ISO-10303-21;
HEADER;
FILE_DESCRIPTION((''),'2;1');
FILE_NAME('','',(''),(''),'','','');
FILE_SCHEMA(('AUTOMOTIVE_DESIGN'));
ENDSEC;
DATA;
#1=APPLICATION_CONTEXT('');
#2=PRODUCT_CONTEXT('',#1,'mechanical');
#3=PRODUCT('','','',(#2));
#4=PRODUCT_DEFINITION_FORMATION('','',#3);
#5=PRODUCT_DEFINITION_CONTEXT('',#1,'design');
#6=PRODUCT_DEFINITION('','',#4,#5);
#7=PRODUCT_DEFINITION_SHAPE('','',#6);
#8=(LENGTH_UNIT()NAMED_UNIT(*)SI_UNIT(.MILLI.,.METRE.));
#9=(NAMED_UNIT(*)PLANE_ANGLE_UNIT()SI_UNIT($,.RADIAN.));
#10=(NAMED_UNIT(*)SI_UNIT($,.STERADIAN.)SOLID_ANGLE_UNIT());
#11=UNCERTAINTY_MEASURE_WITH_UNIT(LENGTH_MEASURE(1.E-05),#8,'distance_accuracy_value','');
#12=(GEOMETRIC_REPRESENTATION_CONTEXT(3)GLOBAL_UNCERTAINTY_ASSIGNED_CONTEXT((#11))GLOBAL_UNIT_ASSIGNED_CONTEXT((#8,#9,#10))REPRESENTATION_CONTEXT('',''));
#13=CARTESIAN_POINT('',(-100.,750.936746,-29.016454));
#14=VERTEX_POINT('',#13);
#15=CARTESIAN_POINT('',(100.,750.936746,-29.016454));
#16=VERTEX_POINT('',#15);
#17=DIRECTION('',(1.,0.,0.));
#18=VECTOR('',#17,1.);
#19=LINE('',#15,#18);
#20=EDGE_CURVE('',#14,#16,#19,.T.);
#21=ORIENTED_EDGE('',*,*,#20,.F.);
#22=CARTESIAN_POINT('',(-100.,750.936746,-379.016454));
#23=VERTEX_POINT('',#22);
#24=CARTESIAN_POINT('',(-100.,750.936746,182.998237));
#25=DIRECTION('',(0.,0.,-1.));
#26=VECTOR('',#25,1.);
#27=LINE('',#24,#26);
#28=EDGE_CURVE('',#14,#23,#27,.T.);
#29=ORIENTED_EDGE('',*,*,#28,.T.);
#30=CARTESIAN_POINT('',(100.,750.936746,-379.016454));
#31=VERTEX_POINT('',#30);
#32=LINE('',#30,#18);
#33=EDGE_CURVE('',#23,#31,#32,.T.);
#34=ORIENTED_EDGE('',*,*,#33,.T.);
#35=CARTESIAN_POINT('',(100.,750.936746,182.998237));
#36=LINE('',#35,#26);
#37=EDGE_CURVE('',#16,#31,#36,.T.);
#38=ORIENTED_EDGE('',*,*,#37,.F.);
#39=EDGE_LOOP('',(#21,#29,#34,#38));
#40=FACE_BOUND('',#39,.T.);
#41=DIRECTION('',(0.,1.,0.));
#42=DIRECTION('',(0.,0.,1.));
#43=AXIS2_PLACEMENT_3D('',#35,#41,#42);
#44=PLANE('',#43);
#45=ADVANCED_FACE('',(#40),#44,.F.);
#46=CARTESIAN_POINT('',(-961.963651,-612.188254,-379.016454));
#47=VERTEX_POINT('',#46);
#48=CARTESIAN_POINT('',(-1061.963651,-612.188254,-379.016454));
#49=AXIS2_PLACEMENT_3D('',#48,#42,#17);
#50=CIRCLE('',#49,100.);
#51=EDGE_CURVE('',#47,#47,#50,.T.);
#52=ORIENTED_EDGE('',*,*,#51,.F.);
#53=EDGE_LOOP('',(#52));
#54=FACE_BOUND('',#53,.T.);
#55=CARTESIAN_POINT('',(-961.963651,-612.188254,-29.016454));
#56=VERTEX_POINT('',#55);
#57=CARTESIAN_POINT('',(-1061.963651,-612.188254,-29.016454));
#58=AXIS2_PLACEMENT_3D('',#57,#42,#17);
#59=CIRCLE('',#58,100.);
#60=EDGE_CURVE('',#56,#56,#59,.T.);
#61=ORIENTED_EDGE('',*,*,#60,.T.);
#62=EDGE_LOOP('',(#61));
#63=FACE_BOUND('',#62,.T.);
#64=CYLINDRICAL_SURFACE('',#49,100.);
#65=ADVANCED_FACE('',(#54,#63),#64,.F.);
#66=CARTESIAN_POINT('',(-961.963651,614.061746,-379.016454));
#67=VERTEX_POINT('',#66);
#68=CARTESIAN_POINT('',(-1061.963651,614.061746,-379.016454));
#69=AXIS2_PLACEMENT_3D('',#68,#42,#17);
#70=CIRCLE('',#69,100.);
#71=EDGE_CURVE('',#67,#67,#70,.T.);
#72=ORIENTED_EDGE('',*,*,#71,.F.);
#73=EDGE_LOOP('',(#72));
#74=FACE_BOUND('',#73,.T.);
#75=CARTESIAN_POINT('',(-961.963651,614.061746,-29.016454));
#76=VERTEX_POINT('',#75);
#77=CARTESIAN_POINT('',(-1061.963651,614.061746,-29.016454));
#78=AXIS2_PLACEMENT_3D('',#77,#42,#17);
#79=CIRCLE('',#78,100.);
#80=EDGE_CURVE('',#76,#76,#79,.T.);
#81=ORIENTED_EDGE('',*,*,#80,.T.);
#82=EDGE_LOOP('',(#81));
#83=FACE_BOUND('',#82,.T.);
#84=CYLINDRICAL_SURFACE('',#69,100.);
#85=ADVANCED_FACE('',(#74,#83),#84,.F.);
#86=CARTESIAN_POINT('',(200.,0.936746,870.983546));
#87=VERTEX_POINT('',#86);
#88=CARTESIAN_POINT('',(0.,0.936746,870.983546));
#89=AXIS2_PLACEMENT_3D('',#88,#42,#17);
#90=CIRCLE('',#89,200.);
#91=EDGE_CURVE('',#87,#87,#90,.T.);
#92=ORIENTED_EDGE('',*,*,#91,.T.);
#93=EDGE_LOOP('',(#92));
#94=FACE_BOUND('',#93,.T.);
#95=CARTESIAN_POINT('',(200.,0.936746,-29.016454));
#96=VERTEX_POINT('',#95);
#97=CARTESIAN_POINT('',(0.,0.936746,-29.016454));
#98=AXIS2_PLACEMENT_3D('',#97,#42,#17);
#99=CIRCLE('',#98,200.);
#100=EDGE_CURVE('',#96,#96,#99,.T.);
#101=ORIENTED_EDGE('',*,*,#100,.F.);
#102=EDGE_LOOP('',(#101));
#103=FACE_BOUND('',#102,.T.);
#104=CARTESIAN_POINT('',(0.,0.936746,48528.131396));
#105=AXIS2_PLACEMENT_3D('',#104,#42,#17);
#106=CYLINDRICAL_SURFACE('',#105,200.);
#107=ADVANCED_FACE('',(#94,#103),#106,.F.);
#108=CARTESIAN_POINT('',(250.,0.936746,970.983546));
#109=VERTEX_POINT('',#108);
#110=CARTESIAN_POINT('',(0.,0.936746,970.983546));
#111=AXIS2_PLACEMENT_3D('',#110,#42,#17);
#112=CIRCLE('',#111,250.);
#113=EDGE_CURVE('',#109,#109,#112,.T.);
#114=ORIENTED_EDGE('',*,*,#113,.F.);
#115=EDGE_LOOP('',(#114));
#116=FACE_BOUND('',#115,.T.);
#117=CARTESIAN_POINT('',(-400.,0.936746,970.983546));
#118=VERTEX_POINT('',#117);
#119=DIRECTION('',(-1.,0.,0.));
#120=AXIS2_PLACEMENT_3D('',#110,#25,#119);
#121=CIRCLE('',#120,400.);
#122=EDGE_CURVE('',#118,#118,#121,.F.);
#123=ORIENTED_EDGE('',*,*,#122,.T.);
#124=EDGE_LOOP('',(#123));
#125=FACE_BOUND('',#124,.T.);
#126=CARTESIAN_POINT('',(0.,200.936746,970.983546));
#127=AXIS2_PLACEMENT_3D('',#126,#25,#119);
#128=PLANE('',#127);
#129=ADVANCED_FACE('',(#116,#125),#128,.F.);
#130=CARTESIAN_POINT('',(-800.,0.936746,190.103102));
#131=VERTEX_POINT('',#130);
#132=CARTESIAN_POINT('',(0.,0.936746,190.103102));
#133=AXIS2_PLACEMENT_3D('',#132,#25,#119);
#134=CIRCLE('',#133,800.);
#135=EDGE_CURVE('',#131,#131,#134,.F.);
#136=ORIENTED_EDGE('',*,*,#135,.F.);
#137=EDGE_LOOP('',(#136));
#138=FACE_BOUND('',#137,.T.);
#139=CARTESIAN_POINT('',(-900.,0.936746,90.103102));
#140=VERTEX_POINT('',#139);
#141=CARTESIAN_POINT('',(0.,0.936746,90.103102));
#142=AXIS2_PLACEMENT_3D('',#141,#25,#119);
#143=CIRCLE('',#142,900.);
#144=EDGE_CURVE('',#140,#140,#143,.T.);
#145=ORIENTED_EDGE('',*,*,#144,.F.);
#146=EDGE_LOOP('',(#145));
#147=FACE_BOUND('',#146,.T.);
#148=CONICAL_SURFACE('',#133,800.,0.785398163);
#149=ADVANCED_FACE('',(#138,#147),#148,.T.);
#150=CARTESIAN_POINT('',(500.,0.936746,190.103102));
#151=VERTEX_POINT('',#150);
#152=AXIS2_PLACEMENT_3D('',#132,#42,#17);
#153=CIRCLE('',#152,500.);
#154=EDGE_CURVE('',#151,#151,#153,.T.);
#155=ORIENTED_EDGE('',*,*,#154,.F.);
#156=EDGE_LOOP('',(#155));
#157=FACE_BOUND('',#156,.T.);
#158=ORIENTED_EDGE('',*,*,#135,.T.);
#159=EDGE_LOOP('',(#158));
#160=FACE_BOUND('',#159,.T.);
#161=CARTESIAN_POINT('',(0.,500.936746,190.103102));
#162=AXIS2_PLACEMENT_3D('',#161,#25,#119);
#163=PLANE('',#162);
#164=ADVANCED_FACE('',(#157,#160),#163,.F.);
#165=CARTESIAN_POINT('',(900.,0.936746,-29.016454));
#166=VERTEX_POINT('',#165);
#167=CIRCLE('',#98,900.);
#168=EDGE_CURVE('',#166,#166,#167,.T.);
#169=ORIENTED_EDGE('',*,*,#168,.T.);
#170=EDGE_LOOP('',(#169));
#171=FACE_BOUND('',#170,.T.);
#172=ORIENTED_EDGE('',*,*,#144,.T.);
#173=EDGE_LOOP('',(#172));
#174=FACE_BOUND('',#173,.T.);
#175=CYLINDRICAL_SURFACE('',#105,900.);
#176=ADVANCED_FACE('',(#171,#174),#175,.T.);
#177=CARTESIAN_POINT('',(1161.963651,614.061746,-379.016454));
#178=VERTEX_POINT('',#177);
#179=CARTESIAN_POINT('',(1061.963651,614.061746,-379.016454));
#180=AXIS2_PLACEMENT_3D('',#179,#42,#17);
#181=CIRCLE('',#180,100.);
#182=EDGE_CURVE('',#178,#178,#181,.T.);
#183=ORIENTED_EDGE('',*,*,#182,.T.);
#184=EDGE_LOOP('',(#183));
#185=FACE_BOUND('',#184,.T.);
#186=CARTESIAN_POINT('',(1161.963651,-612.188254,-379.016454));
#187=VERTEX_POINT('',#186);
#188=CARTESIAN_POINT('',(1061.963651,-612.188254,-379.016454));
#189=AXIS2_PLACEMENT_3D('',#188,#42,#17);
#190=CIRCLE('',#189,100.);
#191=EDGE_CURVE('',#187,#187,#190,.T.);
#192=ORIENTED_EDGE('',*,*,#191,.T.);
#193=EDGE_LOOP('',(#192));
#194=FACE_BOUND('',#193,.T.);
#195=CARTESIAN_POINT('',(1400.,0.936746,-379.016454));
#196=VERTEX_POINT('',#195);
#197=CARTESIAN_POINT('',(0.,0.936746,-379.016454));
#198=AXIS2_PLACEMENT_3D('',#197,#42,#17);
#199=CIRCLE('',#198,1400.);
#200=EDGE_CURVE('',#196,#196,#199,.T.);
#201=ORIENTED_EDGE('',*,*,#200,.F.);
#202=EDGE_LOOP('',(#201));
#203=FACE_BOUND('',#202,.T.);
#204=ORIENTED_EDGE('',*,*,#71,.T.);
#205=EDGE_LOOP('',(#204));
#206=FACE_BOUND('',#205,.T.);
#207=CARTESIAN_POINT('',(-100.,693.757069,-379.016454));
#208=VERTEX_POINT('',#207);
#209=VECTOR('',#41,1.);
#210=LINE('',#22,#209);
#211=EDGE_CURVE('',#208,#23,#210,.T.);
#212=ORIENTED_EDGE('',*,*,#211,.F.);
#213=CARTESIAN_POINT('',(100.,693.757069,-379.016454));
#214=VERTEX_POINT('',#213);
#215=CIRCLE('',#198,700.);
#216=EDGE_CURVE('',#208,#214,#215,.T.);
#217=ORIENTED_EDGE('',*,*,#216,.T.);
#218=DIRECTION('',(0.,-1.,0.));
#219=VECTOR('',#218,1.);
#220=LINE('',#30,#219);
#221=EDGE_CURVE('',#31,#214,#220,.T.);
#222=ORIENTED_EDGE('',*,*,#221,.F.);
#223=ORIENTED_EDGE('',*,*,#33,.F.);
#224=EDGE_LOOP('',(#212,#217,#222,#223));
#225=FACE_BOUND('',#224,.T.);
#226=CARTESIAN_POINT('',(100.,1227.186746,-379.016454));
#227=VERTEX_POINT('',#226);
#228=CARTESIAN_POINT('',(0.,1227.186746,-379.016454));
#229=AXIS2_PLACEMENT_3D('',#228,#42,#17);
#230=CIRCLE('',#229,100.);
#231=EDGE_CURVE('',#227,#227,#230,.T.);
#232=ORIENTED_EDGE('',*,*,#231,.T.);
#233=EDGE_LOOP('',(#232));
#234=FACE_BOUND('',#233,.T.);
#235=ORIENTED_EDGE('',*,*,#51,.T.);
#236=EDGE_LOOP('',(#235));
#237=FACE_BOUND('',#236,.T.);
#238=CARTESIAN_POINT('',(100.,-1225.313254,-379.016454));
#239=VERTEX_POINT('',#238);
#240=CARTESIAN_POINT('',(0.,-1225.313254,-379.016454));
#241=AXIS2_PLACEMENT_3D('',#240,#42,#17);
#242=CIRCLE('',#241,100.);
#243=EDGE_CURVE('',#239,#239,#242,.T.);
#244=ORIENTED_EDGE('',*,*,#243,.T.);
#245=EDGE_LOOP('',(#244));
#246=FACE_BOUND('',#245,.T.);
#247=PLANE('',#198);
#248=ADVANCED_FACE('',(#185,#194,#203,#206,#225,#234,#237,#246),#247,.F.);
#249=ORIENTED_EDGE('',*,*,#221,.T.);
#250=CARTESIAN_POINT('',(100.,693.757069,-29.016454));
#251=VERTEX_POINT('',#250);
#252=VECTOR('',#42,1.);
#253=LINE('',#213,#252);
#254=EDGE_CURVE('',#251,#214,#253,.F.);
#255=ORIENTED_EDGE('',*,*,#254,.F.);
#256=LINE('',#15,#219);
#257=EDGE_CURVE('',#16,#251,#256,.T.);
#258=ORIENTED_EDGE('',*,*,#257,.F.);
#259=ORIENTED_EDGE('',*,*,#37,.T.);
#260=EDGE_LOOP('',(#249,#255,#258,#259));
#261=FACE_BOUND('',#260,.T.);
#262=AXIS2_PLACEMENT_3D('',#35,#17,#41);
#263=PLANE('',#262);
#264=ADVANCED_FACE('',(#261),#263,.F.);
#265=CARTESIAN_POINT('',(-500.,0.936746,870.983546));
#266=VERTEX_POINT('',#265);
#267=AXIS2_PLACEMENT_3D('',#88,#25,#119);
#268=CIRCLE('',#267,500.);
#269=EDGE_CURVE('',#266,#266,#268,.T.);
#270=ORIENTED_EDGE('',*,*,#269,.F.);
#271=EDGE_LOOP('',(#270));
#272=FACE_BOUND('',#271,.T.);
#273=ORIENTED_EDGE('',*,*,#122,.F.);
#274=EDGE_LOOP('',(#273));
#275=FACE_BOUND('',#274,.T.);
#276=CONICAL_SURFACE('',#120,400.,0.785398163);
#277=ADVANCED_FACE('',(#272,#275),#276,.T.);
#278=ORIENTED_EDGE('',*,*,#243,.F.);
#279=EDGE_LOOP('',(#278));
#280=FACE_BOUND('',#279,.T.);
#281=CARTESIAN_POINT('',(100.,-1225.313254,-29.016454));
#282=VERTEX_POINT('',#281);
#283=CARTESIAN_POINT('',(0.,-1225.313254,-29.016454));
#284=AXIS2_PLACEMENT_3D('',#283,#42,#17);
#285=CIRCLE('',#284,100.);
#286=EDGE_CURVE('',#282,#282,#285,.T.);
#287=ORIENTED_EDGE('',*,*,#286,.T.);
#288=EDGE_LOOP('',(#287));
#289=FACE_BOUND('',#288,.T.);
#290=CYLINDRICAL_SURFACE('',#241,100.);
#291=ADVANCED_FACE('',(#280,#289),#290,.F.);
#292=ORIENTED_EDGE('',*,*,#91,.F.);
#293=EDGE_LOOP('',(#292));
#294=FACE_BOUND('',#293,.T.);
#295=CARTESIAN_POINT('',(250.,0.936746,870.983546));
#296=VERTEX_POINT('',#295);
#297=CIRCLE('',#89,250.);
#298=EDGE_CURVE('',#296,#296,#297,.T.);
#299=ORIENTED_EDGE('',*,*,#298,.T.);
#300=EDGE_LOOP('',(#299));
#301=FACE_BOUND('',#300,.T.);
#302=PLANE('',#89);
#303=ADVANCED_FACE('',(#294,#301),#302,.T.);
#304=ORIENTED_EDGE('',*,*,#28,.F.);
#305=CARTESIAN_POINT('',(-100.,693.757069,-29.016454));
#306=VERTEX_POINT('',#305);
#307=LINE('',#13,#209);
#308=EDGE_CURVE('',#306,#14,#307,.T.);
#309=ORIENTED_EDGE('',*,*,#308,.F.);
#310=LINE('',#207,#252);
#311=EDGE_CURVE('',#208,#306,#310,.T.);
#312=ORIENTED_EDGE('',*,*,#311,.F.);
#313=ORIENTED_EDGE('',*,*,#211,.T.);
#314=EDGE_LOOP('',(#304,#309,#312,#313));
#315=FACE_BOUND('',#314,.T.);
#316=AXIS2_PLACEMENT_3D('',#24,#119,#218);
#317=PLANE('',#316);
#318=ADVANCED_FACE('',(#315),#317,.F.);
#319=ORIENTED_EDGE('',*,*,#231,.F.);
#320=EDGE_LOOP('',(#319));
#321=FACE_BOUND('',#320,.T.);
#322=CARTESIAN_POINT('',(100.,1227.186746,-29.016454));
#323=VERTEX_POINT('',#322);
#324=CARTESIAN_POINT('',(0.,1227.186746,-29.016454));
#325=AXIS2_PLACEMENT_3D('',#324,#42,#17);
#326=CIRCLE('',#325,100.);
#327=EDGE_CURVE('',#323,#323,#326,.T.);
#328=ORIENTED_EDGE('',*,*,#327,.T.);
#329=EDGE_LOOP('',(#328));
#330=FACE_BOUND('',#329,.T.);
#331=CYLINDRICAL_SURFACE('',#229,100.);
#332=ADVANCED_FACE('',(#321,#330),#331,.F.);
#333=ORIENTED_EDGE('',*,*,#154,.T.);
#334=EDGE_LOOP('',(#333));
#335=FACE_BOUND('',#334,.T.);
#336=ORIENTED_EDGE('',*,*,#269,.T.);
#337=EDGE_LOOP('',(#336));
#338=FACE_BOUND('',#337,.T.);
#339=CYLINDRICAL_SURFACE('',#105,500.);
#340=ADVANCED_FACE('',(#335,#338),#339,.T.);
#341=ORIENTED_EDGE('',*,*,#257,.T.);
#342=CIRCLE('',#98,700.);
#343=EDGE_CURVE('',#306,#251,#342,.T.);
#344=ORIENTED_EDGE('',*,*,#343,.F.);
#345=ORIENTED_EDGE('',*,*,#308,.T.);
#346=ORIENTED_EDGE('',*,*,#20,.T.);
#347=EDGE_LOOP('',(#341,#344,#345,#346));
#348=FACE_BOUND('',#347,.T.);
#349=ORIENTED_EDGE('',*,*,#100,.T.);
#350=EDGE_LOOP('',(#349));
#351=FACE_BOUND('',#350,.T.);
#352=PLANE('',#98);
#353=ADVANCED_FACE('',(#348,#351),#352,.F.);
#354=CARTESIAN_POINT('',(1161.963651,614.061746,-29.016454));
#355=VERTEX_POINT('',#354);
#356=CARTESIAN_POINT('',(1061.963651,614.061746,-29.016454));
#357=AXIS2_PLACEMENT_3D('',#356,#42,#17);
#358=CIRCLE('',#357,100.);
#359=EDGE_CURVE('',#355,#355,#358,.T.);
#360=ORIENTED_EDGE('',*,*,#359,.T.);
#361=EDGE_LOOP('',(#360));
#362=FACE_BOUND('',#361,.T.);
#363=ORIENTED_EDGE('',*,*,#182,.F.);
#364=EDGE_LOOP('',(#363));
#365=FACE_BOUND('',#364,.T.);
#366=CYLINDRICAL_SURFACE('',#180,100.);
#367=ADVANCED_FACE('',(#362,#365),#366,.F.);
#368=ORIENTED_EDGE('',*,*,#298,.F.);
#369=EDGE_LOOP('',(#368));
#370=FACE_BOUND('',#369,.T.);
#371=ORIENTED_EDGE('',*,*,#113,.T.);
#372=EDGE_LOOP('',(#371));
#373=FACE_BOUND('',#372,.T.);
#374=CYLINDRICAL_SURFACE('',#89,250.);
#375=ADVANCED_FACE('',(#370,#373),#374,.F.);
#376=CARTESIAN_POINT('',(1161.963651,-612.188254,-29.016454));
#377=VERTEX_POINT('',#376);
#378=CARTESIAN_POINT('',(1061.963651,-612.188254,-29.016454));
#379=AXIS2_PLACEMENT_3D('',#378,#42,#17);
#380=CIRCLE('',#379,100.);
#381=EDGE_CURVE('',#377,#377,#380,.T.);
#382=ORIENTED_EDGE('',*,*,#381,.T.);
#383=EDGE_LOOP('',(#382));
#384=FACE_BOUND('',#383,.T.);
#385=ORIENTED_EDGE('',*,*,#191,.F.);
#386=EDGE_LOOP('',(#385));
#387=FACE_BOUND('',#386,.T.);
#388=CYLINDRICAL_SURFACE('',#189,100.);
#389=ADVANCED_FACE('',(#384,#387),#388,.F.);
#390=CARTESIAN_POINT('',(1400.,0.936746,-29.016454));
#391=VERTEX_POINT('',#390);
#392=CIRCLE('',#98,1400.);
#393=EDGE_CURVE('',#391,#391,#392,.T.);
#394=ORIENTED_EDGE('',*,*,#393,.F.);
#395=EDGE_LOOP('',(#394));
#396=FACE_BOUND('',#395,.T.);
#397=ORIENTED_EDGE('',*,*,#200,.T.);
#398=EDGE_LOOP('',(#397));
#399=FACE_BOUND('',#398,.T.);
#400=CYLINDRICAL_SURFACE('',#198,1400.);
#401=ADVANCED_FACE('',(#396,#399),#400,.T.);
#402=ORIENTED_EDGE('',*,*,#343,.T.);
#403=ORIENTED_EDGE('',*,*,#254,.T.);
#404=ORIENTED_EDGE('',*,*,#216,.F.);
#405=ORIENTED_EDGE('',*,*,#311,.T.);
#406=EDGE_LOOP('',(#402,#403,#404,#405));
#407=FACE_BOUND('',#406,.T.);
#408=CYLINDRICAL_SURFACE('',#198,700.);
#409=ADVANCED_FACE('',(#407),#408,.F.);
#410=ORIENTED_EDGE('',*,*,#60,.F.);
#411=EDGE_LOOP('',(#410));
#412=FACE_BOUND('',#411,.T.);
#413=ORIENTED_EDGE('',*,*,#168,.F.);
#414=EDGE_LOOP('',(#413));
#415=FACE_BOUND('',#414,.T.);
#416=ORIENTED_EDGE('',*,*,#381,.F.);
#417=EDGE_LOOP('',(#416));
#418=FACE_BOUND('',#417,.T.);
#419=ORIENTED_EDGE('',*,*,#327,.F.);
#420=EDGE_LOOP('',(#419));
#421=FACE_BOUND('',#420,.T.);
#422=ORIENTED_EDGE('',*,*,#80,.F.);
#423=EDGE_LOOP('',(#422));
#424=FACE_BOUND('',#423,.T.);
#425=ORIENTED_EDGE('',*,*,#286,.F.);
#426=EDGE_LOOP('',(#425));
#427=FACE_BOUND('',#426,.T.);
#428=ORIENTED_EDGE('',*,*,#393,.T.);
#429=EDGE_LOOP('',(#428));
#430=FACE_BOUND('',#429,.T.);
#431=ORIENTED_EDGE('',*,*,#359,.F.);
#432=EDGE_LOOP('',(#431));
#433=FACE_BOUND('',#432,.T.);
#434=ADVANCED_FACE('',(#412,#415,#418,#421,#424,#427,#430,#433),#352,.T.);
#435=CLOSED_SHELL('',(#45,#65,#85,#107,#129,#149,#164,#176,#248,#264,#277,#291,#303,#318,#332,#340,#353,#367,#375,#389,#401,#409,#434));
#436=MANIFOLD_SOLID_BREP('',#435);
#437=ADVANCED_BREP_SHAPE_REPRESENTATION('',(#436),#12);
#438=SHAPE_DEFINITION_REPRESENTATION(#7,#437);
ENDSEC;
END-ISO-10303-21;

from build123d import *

# Parameters (mm, degrees)
SKETCH1_R                     = 44
TOWER_SHAFT_DEPTH             = 20
SKETCH2_R                     = 33.091378557
MAIN_HOLE_FOR_PROPSHAFT_DEPTH = 4500
BASE_ATTACHMENT_CHAMFER_SIZE  = 10
SKETCH5_R                     = 140
SKETCH5_R_2                   = 70
BASE_FLANGE_DEPTH             = 35
SKETCH7_R                     = 10
BASE_FLANGE_HOLES_M20_DEPTH   = 35
SKETCH8_W                     = 20
SKETCH8_H                     = 7.035786578
CUT_EXTRUDE1_DEPTH            = 35
SCALE1_SCALE                  = 10
SKETCH9_R                     = 250
SKETCH9_R_2                   = 200
CUT_EXTRUDE2_DEPTH            = 100


with BuildPart() as part:
    # Sketch1 → Tower Shaft (new body)
    with BuildSketch(Plane.XY):
        Circle(SKETCH1_R)
    extrude(amount=TOWER_SHAFT_DEPTH)

    # Sketch2 → Main hole for propshaft (cut)
    with BuildSketch(Plane.XY):
        Circle(SKETCH2_R)
    extrude(amount=MAIN_HOLE_FOR_PROPSHAFT_DEPTH, mode=Mode.SUBTRACT)

    # Sketch3 → Base Attachment Main body (revolve)
    with BuildSketch(Plane(origin=(0, 0, 0), x_dir=(0, 0, -1), z_dir=(1, 0, 0)), mode=Mode.PRIVATE) as base_attachment_main_body_sk:
        Polygon((-21.911955585, 50), (-21.911955585, 90), (0, 90), (0, 50), (0, 20), (-100, 20), (-100, 50), align=None)
    revolve(base_attachment_main_body_sk.sketch.rotate(Axis((0, 0, 4855.714784932), (0, 0, -1)), 90), axis=Axis((0, 0, 4855.714784932), (0, 0, -1)))

    # Base attachment chamfer
    base_attachment_chamfer_edges = [part.edges().sort_by_distance(p)[0] for p in [
        (-50, 0, 100),
        (-90, 0, 21.911955585),
    ]]
    chamfer(base_attachment_chamfer_edges, length=BASE_ATTACHMENT_CHAMFER_SIZE)

    # Sketch5 → Base Flange (add)
    with BuildSketch(Plane.XY):
        Circle(SKETCH5_R)
        Circle(SKETCH5_R_2, mode=Mode.SUBTRACT)
    extrude(amount=-BASE_FLANGE_DEPTH)

    # Sketch7 → Base Flange Holes (M20) (cut)
    with BuildSketch(Plane.XY):
        with Locations((0, 122.625)):
            Circle(SKETCH7_R)
        with Locations((106.196365139, 61.3125)):
            Circle(SKETCH7_R)
        with Locations((106.196365139, -61.3125)):
            Circle(SKETCH7_R)
        with Locations((0, -122.625)):
            Circle(SKETCH7_R)
        with Locations((-106.196365139, -61.3125)):
            Circle(SKETCH7_R)
        with Locations((-106.196365139, 61.3125)):
            Circle(SKETCH7_R)
    extrude(amount=-BASE_FLANGE_HOLES_M20_DEPTH, mode=Mode.SUBTRACT)

    # Sketch8 → Cut-Extrude1 (cut)
    with BuildSketch(Plane(origin=(0, 0, -35), x_dir=(-1, 0, 0), z_dir=(0, 0, -1))):
        with Locations((0, 71.482106711)):
            Rectangle(SKETCH8_W, SKETCH8_H)
    extrude(amount=-CUT_EXTRUDE1_DEPTH, mode=Mode.SUBTRACT)


with BuildPart() as part_1:
    # Scale1: scaled about (0, -0.104082902, 3.224050424)
    add(part.part.scale(SCALE1_SCALE).moved(Location((0, 0.936746118, -29.016453816))))

    # Sketch9 → Cut-Extrude2 (cut)
    with BuildSketch(Plane.XY.offset(970.983546187)):
        with Locations((0, 0.936746116)):
            Circle(SKETCH9_R)
        with Locations((0, 0.936746116)):
            Circle(SKETCH9_R_2, mode=Mode.SUBTRACT)
    extrude(amount=-CUT_EXTRUDE2_DEPTH, mode=Mode.SUBTRACT)


solid = part_1.part
